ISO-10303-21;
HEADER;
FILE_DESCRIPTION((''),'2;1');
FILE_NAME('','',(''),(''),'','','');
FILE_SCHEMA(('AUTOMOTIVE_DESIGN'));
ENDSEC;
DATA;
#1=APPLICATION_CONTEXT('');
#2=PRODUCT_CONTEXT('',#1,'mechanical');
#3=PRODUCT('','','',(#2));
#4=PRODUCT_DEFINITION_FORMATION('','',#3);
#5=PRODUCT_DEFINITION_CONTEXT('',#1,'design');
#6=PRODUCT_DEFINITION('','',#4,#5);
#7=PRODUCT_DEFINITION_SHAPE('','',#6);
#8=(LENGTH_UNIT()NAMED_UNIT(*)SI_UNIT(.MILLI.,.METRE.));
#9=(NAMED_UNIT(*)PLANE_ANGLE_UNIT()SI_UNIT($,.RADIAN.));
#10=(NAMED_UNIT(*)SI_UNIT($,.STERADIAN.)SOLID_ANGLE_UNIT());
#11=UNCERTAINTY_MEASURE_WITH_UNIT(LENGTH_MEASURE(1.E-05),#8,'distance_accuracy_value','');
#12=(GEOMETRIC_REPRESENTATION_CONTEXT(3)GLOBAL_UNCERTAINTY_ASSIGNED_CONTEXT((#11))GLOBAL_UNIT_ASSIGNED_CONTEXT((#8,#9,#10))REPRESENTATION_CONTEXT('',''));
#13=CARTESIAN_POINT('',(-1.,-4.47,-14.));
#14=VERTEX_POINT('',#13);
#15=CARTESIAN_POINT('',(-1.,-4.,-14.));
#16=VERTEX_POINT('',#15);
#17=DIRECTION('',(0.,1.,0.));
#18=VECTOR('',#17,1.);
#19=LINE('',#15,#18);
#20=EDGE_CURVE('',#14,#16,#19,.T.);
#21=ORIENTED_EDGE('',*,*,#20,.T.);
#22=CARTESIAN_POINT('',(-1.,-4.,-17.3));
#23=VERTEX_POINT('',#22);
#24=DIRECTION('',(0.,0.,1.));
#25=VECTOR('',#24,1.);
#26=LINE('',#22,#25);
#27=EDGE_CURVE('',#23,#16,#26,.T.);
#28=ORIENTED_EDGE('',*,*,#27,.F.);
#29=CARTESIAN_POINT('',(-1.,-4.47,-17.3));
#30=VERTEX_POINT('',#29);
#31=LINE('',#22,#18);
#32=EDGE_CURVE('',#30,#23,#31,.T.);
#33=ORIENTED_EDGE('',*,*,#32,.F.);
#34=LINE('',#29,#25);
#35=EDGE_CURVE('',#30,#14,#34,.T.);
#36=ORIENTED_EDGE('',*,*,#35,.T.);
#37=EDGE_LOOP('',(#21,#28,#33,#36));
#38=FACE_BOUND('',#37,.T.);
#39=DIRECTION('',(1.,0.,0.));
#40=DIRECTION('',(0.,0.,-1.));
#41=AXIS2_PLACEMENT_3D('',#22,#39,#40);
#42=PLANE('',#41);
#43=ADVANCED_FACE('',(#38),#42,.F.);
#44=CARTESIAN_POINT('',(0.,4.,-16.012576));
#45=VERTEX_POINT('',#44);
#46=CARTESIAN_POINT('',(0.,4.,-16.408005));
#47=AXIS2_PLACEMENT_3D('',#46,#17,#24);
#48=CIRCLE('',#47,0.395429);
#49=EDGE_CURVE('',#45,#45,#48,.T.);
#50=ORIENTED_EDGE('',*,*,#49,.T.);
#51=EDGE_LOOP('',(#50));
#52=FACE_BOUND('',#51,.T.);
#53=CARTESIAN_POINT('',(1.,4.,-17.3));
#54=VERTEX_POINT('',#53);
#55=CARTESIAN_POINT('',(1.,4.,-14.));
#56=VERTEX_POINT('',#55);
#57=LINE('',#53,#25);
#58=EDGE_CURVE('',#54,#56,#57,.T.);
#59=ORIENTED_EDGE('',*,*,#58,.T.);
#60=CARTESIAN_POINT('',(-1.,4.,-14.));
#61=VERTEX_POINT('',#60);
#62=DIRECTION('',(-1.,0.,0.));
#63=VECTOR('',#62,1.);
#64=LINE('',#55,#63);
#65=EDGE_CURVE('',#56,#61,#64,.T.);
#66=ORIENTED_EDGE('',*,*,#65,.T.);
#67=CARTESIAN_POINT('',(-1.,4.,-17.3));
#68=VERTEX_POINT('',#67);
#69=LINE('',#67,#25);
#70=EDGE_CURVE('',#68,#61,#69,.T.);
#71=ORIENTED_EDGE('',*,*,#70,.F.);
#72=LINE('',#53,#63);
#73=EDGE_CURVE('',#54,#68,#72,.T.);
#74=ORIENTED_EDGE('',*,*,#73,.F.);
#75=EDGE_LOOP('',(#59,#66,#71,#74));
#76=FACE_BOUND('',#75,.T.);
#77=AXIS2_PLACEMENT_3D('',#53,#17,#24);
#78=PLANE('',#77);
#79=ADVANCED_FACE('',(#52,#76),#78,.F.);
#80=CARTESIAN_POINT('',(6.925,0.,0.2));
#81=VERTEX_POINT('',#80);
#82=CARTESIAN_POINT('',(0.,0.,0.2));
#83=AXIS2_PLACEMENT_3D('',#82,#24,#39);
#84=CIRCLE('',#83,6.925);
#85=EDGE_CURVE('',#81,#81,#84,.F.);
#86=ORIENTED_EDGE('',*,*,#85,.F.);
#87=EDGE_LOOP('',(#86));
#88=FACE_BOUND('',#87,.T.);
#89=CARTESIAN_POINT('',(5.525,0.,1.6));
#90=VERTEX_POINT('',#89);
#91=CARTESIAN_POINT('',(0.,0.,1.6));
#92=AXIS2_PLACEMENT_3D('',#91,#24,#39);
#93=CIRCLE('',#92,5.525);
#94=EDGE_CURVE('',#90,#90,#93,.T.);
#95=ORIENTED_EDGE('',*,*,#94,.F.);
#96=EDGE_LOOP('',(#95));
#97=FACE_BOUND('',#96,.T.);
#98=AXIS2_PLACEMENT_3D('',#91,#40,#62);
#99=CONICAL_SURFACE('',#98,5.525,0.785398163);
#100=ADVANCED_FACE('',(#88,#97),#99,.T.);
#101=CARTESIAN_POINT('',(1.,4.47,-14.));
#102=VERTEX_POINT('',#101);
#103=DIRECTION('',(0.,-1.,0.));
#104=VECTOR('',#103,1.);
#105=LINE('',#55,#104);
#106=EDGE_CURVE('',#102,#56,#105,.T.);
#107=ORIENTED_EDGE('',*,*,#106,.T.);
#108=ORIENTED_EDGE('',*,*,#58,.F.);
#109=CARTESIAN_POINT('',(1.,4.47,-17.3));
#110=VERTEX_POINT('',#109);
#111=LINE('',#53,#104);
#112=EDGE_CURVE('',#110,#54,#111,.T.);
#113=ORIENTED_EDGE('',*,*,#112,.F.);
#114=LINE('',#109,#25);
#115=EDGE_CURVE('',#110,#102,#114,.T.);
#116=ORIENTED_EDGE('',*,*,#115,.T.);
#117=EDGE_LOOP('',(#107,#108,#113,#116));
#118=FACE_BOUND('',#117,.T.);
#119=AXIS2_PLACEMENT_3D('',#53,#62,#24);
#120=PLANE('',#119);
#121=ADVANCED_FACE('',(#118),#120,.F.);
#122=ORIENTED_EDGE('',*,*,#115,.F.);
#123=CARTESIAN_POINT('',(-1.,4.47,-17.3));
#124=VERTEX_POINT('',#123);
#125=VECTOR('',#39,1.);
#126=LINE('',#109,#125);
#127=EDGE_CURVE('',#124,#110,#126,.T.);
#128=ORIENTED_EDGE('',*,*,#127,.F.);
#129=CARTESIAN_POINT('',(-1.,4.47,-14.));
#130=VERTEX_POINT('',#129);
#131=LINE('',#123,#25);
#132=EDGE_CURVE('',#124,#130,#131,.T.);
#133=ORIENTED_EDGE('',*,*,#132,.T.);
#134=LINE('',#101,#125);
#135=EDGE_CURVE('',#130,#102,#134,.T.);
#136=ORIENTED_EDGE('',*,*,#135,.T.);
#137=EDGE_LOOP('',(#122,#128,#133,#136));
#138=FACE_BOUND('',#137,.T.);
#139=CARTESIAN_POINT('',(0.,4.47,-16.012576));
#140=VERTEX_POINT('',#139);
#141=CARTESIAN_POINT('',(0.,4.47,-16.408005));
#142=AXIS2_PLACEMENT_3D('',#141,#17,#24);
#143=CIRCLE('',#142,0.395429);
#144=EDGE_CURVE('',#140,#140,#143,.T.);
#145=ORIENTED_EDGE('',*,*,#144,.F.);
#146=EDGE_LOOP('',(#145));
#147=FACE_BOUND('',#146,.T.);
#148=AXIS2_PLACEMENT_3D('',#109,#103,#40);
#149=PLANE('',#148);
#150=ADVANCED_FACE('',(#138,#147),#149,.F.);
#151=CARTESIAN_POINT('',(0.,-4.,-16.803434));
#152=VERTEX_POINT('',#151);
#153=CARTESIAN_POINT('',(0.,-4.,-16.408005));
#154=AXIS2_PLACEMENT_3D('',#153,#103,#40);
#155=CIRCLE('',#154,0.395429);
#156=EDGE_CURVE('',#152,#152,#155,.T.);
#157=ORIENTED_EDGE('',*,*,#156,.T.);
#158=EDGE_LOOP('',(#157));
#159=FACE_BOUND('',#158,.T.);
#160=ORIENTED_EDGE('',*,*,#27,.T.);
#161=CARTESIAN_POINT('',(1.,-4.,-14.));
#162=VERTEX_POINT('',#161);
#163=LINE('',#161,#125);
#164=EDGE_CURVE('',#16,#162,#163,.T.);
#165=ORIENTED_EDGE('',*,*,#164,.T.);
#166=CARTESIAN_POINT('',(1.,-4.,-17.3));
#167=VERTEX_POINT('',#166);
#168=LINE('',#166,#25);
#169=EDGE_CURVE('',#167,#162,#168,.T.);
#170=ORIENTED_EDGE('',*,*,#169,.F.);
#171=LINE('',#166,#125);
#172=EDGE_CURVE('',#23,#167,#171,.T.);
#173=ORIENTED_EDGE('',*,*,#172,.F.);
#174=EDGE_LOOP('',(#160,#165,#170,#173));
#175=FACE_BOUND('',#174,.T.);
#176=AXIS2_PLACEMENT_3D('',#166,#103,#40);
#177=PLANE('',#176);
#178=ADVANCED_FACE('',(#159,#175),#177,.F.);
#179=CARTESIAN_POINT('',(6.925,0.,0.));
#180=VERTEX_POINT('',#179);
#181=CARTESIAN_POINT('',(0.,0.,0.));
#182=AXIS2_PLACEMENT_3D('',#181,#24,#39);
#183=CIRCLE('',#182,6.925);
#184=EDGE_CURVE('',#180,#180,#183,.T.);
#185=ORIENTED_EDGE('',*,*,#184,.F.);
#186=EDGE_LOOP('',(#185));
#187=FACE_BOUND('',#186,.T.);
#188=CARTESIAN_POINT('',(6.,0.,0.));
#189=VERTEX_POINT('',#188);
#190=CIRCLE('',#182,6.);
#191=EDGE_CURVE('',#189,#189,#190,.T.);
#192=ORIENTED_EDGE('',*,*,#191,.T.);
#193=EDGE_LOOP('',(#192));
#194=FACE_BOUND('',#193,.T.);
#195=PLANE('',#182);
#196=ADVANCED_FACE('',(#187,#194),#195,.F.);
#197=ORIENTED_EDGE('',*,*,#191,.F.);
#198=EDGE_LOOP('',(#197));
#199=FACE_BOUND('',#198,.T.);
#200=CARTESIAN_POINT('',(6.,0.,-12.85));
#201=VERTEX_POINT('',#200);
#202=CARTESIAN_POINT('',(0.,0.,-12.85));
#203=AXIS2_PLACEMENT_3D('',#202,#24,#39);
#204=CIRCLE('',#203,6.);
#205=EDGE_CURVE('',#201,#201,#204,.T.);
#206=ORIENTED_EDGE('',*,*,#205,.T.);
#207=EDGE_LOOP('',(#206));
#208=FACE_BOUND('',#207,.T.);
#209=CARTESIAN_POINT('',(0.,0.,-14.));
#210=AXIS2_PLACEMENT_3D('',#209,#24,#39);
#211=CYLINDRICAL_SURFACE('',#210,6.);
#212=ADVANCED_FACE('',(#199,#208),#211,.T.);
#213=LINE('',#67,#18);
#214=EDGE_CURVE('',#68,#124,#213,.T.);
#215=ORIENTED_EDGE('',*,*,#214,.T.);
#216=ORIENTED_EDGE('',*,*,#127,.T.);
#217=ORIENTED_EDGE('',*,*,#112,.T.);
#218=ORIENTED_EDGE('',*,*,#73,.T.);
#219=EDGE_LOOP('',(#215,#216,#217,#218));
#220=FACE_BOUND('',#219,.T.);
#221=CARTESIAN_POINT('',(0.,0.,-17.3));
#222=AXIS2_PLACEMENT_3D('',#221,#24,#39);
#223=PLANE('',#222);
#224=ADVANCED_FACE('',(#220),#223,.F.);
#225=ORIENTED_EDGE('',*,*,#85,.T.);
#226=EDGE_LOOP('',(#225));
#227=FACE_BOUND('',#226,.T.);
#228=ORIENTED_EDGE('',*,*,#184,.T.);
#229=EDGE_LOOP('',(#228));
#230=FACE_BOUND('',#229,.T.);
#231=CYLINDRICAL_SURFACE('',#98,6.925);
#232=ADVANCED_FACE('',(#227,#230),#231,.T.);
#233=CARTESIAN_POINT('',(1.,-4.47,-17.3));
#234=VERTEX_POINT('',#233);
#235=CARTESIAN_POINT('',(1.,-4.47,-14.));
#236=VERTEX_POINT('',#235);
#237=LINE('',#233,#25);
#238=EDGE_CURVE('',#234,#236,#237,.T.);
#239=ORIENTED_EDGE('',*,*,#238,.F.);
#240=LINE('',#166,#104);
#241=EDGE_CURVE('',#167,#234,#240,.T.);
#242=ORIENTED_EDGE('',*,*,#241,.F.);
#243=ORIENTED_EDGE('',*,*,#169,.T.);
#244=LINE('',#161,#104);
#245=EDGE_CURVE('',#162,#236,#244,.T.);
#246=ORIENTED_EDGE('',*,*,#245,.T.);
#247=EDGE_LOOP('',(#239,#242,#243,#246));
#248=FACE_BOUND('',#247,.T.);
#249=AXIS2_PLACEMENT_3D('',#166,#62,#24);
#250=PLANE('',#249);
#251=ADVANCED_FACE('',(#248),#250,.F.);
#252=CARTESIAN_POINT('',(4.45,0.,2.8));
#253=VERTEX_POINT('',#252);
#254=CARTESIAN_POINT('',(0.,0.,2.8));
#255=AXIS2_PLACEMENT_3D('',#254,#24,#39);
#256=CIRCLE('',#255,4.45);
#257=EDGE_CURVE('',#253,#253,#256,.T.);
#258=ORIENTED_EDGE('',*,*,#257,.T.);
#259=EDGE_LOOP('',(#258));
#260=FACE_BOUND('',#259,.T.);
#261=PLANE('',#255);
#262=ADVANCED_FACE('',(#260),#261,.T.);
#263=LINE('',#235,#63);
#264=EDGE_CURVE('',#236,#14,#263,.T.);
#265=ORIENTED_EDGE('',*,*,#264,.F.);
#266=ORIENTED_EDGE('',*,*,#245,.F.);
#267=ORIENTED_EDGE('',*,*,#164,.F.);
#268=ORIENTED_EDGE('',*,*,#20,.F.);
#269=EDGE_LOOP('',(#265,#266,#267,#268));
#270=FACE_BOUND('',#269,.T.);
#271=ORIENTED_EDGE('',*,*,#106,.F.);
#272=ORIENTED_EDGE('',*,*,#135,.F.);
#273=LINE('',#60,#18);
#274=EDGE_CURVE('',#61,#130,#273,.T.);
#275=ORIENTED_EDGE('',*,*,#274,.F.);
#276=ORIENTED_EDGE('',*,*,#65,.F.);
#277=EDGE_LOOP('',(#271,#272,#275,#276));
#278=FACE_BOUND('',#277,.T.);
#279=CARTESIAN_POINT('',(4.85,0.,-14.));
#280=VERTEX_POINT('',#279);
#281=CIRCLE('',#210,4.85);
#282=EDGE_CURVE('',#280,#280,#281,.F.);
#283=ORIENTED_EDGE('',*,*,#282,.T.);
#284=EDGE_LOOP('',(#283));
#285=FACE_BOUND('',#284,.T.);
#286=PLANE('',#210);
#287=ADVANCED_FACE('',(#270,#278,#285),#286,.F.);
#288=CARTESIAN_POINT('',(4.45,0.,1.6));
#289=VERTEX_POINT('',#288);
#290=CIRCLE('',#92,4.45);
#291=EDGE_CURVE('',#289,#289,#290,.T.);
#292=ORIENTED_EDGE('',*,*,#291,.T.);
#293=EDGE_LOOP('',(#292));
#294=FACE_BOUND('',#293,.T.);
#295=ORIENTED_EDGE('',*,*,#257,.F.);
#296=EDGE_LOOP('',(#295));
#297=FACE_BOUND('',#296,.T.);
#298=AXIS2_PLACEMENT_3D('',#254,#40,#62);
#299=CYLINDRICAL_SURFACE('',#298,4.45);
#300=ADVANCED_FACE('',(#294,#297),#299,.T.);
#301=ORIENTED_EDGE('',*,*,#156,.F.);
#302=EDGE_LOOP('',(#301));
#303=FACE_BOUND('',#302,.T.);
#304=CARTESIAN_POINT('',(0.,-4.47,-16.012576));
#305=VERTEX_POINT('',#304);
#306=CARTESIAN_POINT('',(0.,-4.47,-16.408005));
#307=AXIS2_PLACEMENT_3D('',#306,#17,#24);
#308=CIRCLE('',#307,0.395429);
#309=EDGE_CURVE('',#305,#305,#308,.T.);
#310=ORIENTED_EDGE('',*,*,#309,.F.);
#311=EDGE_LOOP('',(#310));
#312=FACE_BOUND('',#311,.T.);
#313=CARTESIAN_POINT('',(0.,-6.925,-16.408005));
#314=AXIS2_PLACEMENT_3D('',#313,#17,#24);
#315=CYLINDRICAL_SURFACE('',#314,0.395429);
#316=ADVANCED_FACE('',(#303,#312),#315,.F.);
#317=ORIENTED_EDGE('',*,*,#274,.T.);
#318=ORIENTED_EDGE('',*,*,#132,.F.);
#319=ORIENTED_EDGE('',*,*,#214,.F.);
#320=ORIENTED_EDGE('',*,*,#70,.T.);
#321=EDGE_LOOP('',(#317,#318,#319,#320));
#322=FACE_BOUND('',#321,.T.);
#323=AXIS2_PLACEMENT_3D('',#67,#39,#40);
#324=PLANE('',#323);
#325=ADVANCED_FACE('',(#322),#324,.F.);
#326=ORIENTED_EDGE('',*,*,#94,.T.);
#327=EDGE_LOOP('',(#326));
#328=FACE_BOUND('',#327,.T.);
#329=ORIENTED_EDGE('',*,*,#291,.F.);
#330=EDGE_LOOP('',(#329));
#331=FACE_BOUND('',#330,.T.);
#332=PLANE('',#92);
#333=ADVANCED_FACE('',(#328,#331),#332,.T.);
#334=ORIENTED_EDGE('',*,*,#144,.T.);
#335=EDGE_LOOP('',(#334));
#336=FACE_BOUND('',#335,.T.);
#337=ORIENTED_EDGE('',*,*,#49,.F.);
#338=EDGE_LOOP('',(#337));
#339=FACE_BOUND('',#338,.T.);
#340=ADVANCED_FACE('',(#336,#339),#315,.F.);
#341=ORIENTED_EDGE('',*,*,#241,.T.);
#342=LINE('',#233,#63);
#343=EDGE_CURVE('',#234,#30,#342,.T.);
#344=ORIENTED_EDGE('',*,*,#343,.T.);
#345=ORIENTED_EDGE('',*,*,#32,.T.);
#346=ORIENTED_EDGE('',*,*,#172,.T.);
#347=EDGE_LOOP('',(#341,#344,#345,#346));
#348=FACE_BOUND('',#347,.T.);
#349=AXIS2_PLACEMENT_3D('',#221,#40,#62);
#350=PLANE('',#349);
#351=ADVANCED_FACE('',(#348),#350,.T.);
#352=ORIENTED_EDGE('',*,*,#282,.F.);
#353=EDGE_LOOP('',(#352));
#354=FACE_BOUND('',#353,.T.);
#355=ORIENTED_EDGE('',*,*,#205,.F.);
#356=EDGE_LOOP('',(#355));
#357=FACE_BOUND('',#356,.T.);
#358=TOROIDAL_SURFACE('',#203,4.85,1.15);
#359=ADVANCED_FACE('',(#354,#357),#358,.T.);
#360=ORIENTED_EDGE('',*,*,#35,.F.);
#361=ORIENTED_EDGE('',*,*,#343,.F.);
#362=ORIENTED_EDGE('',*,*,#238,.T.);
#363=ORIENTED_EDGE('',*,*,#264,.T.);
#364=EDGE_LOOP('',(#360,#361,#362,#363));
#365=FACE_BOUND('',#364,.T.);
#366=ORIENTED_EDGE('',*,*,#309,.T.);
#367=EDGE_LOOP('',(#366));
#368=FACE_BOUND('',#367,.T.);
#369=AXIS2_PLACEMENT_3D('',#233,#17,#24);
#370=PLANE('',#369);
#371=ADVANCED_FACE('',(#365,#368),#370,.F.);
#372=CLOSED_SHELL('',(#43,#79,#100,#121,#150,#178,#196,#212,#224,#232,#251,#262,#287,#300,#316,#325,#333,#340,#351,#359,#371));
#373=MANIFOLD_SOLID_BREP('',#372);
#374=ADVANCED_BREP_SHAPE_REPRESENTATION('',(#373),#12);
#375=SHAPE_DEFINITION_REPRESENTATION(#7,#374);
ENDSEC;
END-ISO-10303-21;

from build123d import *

# Parameters (mm, degrees)
SKETCH1_R           = 6
BOSS_EXTRUDE1_DEPTH = 14
SKETCH2_R           = 6.925
BOSS_EXTRUDE2_DEPTH = 1.6
CHAMFER1_SIZE       = 1.4
SKETCH3_R           = 4.45
BOSS_EXTRUDE3_DEPTH = 1.2
FILLET1_R           = 1.15
SKETCH5_W           = 2
SKETCH5_H           = 0.47
BOSS_EXTRUDE4_DEPTH = 3.3
SKETCH6_R           = 0.395429062
CUT_EXTRUDE1_DEPTH  = 22.84242775


with BuildPart() as part:
    # Sketch1 → Boss-Extrude1 (new body)
    with BuildSketch(Plane.XY):
        Circle(SKETCH1_R)
    extrude(amount=-BOSS_EXTRUDE1_DEPTH)

    # Sketch2 → Boss-Extrude2 (add)
    with BuildSketch(Plane.XY):
        Circle(SKETCH2_R)
    extrude(amount=BOSS_EXTRUDE2_DEPTH)

    # Chamfer1
    chamfer1_edges = [part.edges().sort_by_distance(p)[0] for p in [
        (-6.925, 0, 1.6),
    ]]
    chamfer(chamfer1_edges, length=CHAMFER1_SIZE)

    # Sketch3 → Boss-Extrude3 (add)
    with BuildSketch(Plane.XY.offset(1.6)):
        Circle(SKETCH3_R)
    extrude(amount=BOSS_EXTRUDE3_DEPTH)

    # Fillet1
    fillet1_edges = [part.edges().sort_by_distance(p)[0] for p in [
        (-6, 0, -14),
    ]]
    fillet(fillet1_edges, radius=FILLET1_R)

    # Sketch5 → Boss-Extrude4 (add)
    with BuildSketch(Plane(origin=(0, 0, -14), x_dir=(-1, 0, 0), z_dir=(0, 0, -1))):
        with Locations((0, -4.235)):
            Rectangle(SKETCH5_W, SKETCH5_H)
        with Locations((0, 4.235)):
            Rectangle(SKETCH5_W, SKETCH5_H)
    extrude(amount=BOSS_EXTRUDE4_DEPTH)

    # Sketch6 → Cut-Extrude1 (cut, through all)
    with BuildSketch(Plane(origin=(0, 4.47, 0), x_dir=(1, 0, 0), z_dir=(0, 1, 0))):
        with Locations(Location((0, 16.408005075, 0), (0, 0, 270))):
            Circle(SKETCH6_R)
    extrude(amount=-CUT_EXTRUDE1_DEPTH, mode=Mode.SUBTRACT)


solid = part.part
